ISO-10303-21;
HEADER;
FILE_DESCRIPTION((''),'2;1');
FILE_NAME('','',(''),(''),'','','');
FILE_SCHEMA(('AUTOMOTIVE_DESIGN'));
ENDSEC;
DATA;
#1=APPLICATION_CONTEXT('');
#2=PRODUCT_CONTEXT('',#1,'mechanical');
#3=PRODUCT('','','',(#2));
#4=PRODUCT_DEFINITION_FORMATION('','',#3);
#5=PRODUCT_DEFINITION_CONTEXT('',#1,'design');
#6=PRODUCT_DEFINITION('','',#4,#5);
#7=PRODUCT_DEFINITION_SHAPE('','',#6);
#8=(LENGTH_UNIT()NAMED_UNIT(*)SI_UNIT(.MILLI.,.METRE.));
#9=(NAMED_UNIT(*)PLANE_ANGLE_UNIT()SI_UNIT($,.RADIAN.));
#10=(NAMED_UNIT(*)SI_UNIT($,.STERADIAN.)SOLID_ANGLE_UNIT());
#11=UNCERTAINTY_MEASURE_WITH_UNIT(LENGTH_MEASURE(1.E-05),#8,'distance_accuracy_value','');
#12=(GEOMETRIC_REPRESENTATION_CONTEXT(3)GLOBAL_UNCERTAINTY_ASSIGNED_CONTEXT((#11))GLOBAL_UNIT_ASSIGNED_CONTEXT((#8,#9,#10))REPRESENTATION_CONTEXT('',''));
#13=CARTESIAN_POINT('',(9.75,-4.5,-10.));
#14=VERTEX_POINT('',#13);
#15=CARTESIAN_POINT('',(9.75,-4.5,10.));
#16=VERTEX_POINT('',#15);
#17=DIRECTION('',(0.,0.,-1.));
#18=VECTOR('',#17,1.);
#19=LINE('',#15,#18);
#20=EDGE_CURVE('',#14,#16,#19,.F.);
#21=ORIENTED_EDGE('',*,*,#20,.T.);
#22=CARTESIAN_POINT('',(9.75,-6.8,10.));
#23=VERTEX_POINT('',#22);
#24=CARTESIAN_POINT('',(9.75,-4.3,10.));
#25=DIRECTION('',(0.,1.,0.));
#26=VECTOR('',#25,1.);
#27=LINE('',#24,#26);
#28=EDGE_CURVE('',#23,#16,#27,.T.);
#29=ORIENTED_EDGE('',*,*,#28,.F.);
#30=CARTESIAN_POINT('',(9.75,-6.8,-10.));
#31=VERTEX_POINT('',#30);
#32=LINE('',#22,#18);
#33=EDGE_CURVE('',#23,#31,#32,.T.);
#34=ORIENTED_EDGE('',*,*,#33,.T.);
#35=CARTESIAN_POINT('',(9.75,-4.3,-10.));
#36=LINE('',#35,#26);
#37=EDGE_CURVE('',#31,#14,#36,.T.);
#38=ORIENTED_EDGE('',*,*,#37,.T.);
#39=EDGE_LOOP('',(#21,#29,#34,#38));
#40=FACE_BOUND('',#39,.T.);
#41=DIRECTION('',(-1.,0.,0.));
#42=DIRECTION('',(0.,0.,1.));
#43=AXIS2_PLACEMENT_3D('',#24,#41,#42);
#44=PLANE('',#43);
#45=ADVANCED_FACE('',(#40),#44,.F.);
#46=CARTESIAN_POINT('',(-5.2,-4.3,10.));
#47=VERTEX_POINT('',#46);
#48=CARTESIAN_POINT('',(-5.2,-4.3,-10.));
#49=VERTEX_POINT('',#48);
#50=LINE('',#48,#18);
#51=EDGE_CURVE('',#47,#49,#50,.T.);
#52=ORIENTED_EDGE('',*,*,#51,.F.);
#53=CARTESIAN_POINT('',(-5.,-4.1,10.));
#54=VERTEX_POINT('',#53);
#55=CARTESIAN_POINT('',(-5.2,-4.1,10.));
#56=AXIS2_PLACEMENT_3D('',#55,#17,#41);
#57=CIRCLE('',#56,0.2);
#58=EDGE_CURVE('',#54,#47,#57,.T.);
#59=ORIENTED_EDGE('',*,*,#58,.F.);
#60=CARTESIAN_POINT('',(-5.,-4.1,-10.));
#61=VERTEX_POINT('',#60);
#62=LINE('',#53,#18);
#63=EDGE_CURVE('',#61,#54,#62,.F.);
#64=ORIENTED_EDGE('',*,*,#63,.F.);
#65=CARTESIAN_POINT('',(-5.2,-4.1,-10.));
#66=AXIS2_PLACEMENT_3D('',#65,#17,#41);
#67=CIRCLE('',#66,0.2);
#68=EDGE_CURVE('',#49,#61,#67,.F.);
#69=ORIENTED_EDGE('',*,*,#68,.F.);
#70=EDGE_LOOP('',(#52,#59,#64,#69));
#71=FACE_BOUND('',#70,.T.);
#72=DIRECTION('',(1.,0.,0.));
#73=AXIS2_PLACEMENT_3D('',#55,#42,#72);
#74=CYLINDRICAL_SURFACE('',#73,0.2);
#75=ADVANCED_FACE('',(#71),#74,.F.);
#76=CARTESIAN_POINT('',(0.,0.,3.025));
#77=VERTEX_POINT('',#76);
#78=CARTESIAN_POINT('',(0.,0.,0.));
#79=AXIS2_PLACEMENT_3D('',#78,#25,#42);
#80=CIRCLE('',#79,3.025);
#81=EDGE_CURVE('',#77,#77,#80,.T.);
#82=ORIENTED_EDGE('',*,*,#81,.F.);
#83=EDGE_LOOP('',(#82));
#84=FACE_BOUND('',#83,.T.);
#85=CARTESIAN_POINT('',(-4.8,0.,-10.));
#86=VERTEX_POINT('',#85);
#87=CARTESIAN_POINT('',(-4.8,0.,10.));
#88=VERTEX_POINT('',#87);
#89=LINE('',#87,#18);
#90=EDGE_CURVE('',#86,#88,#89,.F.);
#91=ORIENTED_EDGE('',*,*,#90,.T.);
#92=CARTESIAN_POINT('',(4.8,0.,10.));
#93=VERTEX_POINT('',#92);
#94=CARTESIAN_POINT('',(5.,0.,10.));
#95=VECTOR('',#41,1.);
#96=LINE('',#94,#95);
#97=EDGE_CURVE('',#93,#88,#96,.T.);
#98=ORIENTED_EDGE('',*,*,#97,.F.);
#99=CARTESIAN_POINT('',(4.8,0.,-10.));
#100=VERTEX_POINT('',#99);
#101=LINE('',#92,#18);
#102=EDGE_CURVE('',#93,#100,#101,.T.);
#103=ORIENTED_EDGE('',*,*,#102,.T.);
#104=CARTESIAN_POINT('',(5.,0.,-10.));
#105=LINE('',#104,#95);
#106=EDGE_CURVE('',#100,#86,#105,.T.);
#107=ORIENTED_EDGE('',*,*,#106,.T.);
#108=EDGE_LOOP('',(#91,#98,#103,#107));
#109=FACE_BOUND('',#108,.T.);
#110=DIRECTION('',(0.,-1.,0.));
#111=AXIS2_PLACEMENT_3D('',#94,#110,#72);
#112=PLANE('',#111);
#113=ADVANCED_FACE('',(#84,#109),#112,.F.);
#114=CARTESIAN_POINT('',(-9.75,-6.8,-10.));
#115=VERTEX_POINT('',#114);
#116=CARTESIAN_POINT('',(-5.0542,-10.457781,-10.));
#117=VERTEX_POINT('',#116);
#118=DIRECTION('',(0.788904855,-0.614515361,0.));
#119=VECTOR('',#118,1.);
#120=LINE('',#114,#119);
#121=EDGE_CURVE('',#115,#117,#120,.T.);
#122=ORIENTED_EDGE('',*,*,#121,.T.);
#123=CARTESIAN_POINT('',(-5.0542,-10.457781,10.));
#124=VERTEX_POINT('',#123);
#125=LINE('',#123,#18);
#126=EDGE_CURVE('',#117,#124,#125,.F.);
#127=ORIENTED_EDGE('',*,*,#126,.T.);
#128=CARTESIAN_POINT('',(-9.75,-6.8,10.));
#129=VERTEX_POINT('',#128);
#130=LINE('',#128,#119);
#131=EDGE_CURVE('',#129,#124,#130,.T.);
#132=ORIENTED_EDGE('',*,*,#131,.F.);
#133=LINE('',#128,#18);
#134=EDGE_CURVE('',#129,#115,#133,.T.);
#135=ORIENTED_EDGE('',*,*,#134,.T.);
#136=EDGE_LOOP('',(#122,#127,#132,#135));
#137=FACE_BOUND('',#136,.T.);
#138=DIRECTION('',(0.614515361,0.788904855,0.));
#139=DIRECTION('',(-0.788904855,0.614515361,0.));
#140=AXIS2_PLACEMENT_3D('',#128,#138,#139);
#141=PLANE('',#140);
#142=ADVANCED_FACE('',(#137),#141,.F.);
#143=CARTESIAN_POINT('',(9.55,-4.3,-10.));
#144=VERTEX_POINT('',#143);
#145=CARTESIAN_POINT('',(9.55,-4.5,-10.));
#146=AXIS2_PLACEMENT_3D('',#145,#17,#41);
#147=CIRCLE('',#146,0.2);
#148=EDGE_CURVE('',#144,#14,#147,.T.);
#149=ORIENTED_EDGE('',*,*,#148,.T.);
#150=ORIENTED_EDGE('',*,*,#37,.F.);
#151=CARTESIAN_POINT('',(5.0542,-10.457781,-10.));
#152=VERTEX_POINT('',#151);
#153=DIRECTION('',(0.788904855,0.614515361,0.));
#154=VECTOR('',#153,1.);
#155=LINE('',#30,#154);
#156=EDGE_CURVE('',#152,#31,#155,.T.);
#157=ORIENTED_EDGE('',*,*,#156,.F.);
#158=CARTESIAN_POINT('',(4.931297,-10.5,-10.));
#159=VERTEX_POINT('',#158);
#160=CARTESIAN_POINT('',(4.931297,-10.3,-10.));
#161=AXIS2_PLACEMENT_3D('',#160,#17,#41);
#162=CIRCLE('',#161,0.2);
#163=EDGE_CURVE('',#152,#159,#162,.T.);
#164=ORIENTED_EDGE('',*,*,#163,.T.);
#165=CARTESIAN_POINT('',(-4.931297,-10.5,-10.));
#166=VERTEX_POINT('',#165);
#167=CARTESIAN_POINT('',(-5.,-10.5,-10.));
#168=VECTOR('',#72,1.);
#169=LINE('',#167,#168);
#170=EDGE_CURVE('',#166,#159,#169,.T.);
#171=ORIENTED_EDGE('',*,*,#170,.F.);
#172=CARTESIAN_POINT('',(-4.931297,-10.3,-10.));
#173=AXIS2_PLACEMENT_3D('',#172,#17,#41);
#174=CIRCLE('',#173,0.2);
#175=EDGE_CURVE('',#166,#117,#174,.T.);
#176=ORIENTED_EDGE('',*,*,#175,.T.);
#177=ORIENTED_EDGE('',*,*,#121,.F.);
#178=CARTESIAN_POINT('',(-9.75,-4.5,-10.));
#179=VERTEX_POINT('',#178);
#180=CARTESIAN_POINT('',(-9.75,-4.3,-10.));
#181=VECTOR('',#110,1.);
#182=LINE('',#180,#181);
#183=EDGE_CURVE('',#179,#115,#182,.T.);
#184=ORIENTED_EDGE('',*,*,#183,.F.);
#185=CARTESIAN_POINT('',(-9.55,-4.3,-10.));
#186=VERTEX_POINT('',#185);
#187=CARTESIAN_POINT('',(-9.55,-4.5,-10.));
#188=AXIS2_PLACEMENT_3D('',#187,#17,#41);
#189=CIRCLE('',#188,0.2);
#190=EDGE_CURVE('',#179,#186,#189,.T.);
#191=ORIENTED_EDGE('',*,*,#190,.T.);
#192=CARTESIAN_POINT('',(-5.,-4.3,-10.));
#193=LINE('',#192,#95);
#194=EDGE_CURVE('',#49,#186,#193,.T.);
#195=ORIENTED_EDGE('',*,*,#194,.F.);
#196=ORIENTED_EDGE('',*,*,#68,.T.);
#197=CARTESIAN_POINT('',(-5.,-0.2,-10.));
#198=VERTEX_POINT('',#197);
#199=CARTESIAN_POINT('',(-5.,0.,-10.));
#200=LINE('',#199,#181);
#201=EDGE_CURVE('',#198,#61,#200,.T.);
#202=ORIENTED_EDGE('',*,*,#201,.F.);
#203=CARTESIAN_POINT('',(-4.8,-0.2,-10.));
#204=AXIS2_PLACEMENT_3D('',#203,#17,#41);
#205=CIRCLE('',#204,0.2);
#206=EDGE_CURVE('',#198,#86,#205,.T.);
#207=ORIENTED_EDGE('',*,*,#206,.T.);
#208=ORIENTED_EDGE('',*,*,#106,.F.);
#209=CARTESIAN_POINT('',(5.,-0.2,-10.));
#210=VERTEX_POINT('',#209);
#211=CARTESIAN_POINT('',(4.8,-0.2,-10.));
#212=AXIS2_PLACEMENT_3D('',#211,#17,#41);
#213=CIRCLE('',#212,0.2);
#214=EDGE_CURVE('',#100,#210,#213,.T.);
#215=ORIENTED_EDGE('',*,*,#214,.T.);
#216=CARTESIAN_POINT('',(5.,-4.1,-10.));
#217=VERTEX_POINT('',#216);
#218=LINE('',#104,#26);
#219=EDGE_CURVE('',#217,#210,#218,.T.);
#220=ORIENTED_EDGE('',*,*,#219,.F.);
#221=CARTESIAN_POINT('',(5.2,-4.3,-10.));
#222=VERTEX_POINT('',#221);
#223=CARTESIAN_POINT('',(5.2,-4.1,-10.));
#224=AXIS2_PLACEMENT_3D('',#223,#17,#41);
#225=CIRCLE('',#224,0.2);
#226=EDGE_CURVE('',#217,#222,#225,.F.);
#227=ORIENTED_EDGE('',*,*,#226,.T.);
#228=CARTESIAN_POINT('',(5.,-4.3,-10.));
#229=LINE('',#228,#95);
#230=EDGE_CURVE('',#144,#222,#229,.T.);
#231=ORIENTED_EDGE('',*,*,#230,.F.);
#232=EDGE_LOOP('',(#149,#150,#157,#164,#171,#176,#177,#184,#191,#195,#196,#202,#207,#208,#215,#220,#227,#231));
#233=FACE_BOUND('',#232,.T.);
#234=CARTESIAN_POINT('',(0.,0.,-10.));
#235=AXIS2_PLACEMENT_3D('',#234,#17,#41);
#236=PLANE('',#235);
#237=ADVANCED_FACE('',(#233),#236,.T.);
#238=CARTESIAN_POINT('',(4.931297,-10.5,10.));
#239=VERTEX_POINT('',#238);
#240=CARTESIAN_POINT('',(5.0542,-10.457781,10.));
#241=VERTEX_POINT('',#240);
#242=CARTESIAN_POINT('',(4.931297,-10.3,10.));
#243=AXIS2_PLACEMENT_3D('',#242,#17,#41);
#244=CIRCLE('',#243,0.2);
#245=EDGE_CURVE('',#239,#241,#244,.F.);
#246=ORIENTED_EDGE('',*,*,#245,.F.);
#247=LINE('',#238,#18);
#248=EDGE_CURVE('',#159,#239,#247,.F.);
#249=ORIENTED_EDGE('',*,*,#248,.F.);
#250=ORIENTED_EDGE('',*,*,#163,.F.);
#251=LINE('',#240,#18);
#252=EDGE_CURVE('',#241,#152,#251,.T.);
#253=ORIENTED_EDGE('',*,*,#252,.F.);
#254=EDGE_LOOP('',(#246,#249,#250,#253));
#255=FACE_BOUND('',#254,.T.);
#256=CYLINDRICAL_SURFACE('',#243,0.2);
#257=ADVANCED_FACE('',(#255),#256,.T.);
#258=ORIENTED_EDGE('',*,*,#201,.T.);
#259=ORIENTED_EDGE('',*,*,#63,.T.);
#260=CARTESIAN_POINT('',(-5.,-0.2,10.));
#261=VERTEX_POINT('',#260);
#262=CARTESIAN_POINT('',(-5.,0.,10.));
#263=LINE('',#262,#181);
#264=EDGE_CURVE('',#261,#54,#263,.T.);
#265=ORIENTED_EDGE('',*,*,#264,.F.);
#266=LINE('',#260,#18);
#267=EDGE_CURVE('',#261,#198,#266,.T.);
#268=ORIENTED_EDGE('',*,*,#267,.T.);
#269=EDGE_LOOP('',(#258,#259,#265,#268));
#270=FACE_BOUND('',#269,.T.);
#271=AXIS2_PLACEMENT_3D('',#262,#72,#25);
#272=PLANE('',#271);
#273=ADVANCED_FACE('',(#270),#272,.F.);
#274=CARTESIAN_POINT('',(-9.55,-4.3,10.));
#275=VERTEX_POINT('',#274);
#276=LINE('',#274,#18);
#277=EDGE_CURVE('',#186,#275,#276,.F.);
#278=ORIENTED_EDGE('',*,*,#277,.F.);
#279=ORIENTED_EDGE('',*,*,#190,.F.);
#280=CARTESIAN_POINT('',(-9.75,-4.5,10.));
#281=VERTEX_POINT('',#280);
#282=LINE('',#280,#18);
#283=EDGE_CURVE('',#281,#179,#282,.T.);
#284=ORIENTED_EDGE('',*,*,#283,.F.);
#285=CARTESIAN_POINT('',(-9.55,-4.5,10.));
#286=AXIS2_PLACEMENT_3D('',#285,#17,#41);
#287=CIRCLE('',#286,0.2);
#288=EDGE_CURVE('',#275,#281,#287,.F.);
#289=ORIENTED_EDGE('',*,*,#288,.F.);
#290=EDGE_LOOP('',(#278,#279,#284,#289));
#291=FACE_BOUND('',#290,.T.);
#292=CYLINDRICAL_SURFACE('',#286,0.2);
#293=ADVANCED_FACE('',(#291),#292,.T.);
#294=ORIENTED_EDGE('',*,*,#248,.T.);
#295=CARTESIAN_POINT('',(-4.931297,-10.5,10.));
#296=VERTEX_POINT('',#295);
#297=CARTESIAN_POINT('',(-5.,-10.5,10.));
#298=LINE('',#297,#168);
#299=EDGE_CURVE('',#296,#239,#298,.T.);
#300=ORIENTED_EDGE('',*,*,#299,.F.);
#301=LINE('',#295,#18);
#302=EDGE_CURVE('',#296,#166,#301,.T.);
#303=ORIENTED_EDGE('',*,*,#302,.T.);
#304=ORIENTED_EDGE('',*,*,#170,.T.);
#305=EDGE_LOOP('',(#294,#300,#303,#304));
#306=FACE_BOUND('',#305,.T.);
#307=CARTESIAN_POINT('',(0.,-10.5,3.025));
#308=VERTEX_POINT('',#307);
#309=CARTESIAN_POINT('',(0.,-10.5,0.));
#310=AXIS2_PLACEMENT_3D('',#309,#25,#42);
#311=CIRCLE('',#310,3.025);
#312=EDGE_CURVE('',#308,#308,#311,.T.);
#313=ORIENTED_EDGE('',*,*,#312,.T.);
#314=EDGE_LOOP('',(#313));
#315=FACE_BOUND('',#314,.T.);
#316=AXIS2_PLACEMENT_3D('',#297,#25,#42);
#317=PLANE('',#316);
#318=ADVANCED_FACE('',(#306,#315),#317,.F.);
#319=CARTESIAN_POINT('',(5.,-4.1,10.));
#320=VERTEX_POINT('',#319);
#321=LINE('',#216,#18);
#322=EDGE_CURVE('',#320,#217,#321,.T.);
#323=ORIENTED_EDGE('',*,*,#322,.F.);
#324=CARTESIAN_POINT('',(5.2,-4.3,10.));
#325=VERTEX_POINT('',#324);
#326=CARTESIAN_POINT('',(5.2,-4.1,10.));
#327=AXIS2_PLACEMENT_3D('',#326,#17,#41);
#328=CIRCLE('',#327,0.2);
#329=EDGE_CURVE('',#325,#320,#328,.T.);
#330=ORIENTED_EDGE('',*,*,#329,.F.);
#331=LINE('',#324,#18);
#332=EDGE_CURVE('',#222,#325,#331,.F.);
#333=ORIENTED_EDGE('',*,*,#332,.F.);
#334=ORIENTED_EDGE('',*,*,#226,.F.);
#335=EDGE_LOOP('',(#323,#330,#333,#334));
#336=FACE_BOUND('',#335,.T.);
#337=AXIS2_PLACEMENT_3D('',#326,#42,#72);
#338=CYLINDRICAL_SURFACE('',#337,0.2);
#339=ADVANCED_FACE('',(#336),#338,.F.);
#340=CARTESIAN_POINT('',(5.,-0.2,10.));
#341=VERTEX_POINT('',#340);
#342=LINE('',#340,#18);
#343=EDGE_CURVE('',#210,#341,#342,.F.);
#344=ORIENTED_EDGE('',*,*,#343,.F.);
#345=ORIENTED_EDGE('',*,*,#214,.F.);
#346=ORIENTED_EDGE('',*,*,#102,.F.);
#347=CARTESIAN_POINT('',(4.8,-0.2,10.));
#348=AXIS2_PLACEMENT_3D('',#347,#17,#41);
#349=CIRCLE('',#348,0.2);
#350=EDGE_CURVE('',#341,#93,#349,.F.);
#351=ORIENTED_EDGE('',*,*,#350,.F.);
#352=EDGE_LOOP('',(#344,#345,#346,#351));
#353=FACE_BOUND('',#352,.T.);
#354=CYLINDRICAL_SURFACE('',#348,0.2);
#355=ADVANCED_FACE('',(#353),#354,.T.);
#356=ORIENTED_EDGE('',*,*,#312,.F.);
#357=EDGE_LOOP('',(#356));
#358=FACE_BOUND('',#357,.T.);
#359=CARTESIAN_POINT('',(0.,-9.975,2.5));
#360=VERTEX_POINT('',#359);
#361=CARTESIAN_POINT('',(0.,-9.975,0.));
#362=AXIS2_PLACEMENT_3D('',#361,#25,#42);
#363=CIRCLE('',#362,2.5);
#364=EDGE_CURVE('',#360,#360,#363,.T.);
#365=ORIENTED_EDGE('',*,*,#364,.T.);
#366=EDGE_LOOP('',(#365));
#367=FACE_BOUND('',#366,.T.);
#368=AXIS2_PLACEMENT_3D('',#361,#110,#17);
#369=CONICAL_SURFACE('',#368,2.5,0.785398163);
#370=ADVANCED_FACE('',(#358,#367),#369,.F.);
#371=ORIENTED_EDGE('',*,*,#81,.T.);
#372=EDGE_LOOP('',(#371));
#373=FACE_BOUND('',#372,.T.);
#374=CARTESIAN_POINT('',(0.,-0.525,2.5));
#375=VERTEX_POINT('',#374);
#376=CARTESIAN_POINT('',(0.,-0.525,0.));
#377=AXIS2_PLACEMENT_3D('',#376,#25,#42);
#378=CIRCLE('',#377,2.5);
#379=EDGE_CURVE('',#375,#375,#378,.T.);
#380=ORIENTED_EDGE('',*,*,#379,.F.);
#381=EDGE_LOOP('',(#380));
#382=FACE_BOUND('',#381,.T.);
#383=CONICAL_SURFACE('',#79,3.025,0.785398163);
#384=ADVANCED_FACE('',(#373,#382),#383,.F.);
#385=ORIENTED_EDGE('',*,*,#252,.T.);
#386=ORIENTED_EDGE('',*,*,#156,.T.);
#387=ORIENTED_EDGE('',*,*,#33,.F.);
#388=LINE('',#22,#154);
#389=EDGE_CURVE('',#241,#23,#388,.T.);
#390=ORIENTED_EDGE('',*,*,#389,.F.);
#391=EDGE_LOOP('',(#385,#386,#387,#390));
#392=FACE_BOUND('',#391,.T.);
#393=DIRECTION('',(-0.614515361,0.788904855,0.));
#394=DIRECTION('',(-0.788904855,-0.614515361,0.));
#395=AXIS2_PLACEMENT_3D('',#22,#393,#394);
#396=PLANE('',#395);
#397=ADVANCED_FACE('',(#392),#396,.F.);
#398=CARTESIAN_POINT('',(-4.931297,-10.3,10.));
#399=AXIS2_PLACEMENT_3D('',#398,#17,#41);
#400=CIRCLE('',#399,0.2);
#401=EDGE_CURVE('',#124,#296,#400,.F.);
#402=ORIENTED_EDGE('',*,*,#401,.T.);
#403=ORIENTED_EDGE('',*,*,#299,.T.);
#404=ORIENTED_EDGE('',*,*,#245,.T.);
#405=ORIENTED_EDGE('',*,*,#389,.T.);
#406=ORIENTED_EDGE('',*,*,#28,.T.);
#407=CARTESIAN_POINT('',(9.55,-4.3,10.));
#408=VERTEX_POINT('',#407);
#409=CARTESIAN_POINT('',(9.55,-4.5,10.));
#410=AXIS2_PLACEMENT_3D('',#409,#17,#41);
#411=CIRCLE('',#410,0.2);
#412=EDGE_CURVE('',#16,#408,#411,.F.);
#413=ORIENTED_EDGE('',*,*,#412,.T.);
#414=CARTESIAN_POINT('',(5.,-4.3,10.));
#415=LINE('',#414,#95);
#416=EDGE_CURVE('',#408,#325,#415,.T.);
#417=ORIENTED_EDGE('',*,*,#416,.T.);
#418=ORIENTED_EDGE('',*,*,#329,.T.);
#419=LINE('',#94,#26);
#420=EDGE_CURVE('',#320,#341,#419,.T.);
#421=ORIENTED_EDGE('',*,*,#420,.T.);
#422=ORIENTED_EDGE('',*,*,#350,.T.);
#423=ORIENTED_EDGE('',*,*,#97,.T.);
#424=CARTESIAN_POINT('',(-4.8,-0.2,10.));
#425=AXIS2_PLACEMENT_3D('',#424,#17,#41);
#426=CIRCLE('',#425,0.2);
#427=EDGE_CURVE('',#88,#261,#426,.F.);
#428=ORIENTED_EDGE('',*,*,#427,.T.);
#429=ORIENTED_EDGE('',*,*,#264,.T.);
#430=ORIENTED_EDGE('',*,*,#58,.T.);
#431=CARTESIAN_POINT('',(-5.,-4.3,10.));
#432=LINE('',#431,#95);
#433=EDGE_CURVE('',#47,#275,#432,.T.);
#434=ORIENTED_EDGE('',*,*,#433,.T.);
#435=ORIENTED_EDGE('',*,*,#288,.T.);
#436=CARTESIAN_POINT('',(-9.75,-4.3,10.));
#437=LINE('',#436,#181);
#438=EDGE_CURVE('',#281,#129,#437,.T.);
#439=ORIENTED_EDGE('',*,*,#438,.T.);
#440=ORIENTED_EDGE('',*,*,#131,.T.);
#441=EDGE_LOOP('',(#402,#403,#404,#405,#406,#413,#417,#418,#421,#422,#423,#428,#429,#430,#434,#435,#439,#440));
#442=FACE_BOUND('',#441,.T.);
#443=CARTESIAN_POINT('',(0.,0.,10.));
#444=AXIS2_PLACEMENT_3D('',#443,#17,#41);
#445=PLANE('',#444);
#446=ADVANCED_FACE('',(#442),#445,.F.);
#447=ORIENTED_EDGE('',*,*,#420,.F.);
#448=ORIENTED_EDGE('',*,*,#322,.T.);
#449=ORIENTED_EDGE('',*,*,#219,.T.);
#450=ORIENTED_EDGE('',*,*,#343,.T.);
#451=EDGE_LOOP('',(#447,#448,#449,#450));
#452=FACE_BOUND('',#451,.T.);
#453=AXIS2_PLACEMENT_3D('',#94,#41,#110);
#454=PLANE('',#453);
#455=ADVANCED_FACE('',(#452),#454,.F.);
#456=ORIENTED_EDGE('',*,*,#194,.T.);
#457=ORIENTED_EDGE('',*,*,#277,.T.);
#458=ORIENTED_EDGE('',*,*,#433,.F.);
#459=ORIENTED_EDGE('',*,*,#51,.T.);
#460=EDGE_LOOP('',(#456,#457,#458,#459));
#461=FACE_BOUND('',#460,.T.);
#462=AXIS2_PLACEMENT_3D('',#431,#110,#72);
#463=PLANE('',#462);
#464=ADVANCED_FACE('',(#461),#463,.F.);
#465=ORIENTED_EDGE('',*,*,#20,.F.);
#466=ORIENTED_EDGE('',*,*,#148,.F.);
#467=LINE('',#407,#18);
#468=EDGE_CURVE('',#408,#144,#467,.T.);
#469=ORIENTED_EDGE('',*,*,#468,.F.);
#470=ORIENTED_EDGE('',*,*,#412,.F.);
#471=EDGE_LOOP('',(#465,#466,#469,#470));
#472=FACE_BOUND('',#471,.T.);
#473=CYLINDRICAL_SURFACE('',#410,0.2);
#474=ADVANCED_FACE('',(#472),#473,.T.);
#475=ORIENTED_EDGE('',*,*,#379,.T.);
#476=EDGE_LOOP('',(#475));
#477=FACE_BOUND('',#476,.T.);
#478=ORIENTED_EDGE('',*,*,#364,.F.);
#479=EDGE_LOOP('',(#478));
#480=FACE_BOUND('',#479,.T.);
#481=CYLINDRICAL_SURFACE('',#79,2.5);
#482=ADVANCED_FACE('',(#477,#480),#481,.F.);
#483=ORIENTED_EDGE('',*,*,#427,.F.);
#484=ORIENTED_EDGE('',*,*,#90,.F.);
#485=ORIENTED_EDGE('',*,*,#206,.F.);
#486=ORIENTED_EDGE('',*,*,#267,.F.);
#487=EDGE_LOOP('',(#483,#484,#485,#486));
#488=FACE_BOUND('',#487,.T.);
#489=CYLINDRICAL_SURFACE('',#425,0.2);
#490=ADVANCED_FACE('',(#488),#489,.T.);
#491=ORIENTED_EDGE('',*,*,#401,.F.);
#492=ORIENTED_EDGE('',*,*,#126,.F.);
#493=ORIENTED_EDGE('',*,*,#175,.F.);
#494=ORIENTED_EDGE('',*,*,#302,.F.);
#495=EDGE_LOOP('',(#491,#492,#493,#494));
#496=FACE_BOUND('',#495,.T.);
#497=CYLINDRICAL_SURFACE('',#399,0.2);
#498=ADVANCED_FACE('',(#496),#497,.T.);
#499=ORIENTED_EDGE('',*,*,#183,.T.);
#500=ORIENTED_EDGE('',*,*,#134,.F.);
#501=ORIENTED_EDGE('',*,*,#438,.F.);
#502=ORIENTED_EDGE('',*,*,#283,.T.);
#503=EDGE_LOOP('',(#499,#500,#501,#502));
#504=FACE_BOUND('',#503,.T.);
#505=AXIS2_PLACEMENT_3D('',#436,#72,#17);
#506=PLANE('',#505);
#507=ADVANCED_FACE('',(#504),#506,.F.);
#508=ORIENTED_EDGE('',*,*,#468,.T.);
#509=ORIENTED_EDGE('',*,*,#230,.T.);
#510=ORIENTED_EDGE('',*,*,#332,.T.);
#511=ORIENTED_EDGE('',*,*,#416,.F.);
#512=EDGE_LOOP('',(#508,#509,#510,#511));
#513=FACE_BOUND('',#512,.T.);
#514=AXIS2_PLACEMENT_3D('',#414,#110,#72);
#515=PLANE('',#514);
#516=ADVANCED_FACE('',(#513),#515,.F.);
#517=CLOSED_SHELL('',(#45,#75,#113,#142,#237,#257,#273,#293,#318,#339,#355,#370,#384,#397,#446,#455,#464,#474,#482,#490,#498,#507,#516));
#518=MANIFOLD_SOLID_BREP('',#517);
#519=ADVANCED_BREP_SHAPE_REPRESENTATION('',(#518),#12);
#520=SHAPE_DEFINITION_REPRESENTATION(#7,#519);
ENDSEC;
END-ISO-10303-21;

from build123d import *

# Parameters (mm, degrees)
EXTRUDE_1_DEPTH = 10
FILLET_1_R      = 0.2


with BuildPart() as part:
    # Эскиз1 → Бобышка-Вытянуть1 (new body, symmetric)
    with BuildSketch(Plane.XY):
        Polygon((5, 0), (-5, 0), (-5, -4.3), (-9.75, -4.3), (-9.75, -6.8), (-5, -10.5), (5, -10.5), (9.75, -6.8), (9.75, -4.3), (5, -4.3), align=None)
    extrude(amount=EXTRUDE_1_DEPTH, both=True)

    # Эскиз4 → Отверстие обработанное метчиком M64 (revolve, cut)
    with BuildSketch(Plane(origin=(0, 0, 0), x_dir=(0, 0, 1), z_dir=(1, 0, 0))):
        Polygon((0, 0), (0, 10.5), (3.025, 10.5), (2.5, 9.975), (2.5, 0.525), (3.025, 0), align=None)
    revolve(axis=Axis((0, 6.35, 0), (0, -1, 0)), mode=Mode.SUBTRACT)

    # Скругление1
    fillet_1_edges = [part.edges().sort_by_distance(p)[0] for p in [
        (-5, 0, 0),
        (5, 0, 0),
        (5, -4.3, 0),
        (9.75, -4.3, 0),
        (5, -10.5, 0),
        (-5, -10.5, 0),
        (-9.75, -4.3, 0),
        (-5, -4.3, 0),
    ]]
    fillet(fillet_1_edges, radius=FILLET_1_R)


solid = part.part
